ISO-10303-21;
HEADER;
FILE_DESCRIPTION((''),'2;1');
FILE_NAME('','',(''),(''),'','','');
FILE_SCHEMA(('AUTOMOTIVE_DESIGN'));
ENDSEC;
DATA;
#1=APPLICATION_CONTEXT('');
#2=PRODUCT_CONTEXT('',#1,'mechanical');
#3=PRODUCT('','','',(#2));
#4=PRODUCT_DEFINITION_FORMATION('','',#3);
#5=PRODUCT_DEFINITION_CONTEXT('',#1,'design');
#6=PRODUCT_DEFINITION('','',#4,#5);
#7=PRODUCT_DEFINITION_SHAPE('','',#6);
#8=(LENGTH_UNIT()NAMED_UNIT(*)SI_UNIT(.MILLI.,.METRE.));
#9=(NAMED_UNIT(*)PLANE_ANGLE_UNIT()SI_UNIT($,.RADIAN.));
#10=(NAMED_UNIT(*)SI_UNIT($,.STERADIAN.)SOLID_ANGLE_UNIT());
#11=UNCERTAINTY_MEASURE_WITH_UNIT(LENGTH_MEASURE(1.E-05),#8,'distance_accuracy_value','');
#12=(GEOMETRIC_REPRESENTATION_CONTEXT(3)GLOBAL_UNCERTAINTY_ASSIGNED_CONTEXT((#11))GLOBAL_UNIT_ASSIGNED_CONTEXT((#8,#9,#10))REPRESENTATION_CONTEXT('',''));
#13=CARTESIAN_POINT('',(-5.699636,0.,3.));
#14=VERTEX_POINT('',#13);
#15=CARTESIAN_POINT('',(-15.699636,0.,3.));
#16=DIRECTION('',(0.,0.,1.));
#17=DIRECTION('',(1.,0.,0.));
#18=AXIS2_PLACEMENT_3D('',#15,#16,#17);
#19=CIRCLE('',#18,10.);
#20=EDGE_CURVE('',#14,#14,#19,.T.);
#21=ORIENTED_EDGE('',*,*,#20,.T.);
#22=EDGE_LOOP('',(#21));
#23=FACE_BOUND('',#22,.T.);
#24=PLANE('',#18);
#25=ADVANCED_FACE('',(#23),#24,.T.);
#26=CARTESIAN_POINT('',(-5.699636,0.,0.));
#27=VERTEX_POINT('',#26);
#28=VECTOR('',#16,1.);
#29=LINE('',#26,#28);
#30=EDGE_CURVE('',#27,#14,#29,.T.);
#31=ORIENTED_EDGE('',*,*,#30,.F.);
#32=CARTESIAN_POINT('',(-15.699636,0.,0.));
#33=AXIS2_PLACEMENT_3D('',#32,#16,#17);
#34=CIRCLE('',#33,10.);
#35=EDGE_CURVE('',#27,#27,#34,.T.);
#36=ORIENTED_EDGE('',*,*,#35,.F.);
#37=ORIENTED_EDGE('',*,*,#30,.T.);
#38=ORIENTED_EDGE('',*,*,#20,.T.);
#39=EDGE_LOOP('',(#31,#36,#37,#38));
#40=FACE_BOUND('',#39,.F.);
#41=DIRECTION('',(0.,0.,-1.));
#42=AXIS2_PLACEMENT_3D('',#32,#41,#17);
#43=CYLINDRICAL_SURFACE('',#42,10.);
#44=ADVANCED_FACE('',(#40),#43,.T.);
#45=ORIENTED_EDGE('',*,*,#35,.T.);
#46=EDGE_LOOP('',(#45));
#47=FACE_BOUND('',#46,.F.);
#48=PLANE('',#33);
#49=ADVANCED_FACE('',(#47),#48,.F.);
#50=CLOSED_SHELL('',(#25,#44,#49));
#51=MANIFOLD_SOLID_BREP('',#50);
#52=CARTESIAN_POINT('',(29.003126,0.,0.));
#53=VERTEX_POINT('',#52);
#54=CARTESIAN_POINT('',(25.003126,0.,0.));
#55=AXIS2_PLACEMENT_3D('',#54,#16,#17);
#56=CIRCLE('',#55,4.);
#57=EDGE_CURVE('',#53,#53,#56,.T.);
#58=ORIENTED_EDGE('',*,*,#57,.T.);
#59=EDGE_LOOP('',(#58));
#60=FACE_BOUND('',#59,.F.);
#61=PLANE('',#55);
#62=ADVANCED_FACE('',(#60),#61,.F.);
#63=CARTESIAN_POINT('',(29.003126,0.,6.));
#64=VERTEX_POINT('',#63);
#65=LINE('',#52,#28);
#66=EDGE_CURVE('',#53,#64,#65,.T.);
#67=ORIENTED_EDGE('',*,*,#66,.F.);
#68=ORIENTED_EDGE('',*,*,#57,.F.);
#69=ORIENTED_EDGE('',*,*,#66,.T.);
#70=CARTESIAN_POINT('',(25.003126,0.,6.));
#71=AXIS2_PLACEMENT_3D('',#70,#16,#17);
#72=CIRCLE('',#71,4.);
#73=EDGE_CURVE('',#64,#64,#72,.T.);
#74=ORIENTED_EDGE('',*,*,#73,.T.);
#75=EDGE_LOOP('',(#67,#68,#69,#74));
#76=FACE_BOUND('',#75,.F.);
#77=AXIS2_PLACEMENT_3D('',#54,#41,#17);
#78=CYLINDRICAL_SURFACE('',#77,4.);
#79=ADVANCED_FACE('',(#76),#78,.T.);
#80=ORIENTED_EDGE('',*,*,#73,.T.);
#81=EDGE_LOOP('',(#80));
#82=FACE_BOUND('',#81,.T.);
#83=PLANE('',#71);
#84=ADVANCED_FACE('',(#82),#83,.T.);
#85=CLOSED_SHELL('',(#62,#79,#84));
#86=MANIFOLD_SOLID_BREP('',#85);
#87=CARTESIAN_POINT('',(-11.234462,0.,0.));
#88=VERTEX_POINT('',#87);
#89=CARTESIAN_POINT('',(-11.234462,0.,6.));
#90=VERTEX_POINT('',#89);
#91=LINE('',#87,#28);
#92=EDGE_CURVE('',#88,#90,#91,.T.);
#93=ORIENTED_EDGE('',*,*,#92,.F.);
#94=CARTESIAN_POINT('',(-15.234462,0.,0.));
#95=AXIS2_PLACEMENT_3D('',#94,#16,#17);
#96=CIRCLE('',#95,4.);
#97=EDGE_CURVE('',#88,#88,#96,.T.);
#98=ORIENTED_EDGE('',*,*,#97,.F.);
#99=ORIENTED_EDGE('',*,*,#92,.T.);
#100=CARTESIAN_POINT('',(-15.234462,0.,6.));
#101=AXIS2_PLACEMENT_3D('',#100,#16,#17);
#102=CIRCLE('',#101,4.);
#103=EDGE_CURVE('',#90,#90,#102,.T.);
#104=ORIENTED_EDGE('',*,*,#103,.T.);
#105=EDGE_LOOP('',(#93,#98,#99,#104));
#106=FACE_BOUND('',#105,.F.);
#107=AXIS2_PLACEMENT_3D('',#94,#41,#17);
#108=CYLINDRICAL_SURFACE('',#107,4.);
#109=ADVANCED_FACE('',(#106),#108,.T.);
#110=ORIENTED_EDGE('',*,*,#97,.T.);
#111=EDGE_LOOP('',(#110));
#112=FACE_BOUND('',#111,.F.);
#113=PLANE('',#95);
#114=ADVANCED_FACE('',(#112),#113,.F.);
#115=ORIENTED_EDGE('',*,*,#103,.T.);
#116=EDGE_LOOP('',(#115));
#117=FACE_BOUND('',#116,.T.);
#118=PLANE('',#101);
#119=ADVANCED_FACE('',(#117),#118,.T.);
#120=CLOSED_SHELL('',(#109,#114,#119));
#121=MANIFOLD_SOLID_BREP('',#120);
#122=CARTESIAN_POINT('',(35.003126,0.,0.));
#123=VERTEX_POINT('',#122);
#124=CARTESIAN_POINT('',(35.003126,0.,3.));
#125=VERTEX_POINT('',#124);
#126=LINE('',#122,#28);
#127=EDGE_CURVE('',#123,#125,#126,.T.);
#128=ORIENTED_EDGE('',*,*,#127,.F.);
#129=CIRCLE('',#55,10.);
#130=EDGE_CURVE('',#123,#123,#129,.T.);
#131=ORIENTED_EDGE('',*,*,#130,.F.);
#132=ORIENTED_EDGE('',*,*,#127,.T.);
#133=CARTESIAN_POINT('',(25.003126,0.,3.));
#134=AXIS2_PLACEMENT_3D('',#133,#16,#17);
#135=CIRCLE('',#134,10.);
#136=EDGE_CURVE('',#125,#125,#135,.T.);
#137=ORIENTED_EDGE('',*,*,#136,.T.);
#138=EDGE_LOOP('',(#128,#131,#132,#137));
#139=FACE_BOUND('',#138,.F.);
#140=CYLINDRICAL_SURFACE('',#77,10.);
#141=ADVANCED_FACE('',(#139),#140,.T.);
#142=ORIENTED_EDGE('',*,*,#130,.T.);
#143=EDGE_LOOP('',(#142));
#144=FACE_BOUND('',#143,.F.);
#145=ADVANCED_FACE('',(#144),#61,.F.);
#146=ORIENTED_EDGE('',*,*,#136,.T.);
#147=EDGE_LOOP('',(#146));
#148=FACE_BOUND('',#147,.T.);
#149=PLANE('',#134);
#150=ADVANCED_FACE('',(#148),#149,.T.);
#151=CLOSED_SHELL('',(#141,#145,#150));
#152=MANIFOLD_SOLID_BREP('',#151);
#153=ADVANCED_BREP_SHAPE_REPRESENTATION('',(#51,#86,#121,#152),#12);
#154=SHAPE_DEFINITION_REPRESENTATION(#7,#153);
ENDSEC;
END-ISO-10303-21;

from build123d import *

# Parameters (mm, degrees)
F0_R     = 10
F2_DEPTH = 3
F1_R     = 4
F3_DEPTH = 6


with BuildPart() as f2:
    # F0 (on Top) → F2 (new body)
    with BuildSketch(Plane.XY):
        with Locations((25.003126, 0)):
            Circle(F0_R)
        with Locations((-15.699636, 0)):
            Circle(F0_R)
    extrude(amount=F2_DEPTH)


with BuildPart() as f3:
    # F1 (on Top) → F3 (new body)
    with BuildSketch(Plane.XY):
        with Locations((25.003126, 0)):
            Circle(F1_R)
        with Locations((-15.234462, 0)):
            Circle(F1_R)
    extrude(amount=F3_DEPTH)


solid = Compound([f2.part, f3.part])
